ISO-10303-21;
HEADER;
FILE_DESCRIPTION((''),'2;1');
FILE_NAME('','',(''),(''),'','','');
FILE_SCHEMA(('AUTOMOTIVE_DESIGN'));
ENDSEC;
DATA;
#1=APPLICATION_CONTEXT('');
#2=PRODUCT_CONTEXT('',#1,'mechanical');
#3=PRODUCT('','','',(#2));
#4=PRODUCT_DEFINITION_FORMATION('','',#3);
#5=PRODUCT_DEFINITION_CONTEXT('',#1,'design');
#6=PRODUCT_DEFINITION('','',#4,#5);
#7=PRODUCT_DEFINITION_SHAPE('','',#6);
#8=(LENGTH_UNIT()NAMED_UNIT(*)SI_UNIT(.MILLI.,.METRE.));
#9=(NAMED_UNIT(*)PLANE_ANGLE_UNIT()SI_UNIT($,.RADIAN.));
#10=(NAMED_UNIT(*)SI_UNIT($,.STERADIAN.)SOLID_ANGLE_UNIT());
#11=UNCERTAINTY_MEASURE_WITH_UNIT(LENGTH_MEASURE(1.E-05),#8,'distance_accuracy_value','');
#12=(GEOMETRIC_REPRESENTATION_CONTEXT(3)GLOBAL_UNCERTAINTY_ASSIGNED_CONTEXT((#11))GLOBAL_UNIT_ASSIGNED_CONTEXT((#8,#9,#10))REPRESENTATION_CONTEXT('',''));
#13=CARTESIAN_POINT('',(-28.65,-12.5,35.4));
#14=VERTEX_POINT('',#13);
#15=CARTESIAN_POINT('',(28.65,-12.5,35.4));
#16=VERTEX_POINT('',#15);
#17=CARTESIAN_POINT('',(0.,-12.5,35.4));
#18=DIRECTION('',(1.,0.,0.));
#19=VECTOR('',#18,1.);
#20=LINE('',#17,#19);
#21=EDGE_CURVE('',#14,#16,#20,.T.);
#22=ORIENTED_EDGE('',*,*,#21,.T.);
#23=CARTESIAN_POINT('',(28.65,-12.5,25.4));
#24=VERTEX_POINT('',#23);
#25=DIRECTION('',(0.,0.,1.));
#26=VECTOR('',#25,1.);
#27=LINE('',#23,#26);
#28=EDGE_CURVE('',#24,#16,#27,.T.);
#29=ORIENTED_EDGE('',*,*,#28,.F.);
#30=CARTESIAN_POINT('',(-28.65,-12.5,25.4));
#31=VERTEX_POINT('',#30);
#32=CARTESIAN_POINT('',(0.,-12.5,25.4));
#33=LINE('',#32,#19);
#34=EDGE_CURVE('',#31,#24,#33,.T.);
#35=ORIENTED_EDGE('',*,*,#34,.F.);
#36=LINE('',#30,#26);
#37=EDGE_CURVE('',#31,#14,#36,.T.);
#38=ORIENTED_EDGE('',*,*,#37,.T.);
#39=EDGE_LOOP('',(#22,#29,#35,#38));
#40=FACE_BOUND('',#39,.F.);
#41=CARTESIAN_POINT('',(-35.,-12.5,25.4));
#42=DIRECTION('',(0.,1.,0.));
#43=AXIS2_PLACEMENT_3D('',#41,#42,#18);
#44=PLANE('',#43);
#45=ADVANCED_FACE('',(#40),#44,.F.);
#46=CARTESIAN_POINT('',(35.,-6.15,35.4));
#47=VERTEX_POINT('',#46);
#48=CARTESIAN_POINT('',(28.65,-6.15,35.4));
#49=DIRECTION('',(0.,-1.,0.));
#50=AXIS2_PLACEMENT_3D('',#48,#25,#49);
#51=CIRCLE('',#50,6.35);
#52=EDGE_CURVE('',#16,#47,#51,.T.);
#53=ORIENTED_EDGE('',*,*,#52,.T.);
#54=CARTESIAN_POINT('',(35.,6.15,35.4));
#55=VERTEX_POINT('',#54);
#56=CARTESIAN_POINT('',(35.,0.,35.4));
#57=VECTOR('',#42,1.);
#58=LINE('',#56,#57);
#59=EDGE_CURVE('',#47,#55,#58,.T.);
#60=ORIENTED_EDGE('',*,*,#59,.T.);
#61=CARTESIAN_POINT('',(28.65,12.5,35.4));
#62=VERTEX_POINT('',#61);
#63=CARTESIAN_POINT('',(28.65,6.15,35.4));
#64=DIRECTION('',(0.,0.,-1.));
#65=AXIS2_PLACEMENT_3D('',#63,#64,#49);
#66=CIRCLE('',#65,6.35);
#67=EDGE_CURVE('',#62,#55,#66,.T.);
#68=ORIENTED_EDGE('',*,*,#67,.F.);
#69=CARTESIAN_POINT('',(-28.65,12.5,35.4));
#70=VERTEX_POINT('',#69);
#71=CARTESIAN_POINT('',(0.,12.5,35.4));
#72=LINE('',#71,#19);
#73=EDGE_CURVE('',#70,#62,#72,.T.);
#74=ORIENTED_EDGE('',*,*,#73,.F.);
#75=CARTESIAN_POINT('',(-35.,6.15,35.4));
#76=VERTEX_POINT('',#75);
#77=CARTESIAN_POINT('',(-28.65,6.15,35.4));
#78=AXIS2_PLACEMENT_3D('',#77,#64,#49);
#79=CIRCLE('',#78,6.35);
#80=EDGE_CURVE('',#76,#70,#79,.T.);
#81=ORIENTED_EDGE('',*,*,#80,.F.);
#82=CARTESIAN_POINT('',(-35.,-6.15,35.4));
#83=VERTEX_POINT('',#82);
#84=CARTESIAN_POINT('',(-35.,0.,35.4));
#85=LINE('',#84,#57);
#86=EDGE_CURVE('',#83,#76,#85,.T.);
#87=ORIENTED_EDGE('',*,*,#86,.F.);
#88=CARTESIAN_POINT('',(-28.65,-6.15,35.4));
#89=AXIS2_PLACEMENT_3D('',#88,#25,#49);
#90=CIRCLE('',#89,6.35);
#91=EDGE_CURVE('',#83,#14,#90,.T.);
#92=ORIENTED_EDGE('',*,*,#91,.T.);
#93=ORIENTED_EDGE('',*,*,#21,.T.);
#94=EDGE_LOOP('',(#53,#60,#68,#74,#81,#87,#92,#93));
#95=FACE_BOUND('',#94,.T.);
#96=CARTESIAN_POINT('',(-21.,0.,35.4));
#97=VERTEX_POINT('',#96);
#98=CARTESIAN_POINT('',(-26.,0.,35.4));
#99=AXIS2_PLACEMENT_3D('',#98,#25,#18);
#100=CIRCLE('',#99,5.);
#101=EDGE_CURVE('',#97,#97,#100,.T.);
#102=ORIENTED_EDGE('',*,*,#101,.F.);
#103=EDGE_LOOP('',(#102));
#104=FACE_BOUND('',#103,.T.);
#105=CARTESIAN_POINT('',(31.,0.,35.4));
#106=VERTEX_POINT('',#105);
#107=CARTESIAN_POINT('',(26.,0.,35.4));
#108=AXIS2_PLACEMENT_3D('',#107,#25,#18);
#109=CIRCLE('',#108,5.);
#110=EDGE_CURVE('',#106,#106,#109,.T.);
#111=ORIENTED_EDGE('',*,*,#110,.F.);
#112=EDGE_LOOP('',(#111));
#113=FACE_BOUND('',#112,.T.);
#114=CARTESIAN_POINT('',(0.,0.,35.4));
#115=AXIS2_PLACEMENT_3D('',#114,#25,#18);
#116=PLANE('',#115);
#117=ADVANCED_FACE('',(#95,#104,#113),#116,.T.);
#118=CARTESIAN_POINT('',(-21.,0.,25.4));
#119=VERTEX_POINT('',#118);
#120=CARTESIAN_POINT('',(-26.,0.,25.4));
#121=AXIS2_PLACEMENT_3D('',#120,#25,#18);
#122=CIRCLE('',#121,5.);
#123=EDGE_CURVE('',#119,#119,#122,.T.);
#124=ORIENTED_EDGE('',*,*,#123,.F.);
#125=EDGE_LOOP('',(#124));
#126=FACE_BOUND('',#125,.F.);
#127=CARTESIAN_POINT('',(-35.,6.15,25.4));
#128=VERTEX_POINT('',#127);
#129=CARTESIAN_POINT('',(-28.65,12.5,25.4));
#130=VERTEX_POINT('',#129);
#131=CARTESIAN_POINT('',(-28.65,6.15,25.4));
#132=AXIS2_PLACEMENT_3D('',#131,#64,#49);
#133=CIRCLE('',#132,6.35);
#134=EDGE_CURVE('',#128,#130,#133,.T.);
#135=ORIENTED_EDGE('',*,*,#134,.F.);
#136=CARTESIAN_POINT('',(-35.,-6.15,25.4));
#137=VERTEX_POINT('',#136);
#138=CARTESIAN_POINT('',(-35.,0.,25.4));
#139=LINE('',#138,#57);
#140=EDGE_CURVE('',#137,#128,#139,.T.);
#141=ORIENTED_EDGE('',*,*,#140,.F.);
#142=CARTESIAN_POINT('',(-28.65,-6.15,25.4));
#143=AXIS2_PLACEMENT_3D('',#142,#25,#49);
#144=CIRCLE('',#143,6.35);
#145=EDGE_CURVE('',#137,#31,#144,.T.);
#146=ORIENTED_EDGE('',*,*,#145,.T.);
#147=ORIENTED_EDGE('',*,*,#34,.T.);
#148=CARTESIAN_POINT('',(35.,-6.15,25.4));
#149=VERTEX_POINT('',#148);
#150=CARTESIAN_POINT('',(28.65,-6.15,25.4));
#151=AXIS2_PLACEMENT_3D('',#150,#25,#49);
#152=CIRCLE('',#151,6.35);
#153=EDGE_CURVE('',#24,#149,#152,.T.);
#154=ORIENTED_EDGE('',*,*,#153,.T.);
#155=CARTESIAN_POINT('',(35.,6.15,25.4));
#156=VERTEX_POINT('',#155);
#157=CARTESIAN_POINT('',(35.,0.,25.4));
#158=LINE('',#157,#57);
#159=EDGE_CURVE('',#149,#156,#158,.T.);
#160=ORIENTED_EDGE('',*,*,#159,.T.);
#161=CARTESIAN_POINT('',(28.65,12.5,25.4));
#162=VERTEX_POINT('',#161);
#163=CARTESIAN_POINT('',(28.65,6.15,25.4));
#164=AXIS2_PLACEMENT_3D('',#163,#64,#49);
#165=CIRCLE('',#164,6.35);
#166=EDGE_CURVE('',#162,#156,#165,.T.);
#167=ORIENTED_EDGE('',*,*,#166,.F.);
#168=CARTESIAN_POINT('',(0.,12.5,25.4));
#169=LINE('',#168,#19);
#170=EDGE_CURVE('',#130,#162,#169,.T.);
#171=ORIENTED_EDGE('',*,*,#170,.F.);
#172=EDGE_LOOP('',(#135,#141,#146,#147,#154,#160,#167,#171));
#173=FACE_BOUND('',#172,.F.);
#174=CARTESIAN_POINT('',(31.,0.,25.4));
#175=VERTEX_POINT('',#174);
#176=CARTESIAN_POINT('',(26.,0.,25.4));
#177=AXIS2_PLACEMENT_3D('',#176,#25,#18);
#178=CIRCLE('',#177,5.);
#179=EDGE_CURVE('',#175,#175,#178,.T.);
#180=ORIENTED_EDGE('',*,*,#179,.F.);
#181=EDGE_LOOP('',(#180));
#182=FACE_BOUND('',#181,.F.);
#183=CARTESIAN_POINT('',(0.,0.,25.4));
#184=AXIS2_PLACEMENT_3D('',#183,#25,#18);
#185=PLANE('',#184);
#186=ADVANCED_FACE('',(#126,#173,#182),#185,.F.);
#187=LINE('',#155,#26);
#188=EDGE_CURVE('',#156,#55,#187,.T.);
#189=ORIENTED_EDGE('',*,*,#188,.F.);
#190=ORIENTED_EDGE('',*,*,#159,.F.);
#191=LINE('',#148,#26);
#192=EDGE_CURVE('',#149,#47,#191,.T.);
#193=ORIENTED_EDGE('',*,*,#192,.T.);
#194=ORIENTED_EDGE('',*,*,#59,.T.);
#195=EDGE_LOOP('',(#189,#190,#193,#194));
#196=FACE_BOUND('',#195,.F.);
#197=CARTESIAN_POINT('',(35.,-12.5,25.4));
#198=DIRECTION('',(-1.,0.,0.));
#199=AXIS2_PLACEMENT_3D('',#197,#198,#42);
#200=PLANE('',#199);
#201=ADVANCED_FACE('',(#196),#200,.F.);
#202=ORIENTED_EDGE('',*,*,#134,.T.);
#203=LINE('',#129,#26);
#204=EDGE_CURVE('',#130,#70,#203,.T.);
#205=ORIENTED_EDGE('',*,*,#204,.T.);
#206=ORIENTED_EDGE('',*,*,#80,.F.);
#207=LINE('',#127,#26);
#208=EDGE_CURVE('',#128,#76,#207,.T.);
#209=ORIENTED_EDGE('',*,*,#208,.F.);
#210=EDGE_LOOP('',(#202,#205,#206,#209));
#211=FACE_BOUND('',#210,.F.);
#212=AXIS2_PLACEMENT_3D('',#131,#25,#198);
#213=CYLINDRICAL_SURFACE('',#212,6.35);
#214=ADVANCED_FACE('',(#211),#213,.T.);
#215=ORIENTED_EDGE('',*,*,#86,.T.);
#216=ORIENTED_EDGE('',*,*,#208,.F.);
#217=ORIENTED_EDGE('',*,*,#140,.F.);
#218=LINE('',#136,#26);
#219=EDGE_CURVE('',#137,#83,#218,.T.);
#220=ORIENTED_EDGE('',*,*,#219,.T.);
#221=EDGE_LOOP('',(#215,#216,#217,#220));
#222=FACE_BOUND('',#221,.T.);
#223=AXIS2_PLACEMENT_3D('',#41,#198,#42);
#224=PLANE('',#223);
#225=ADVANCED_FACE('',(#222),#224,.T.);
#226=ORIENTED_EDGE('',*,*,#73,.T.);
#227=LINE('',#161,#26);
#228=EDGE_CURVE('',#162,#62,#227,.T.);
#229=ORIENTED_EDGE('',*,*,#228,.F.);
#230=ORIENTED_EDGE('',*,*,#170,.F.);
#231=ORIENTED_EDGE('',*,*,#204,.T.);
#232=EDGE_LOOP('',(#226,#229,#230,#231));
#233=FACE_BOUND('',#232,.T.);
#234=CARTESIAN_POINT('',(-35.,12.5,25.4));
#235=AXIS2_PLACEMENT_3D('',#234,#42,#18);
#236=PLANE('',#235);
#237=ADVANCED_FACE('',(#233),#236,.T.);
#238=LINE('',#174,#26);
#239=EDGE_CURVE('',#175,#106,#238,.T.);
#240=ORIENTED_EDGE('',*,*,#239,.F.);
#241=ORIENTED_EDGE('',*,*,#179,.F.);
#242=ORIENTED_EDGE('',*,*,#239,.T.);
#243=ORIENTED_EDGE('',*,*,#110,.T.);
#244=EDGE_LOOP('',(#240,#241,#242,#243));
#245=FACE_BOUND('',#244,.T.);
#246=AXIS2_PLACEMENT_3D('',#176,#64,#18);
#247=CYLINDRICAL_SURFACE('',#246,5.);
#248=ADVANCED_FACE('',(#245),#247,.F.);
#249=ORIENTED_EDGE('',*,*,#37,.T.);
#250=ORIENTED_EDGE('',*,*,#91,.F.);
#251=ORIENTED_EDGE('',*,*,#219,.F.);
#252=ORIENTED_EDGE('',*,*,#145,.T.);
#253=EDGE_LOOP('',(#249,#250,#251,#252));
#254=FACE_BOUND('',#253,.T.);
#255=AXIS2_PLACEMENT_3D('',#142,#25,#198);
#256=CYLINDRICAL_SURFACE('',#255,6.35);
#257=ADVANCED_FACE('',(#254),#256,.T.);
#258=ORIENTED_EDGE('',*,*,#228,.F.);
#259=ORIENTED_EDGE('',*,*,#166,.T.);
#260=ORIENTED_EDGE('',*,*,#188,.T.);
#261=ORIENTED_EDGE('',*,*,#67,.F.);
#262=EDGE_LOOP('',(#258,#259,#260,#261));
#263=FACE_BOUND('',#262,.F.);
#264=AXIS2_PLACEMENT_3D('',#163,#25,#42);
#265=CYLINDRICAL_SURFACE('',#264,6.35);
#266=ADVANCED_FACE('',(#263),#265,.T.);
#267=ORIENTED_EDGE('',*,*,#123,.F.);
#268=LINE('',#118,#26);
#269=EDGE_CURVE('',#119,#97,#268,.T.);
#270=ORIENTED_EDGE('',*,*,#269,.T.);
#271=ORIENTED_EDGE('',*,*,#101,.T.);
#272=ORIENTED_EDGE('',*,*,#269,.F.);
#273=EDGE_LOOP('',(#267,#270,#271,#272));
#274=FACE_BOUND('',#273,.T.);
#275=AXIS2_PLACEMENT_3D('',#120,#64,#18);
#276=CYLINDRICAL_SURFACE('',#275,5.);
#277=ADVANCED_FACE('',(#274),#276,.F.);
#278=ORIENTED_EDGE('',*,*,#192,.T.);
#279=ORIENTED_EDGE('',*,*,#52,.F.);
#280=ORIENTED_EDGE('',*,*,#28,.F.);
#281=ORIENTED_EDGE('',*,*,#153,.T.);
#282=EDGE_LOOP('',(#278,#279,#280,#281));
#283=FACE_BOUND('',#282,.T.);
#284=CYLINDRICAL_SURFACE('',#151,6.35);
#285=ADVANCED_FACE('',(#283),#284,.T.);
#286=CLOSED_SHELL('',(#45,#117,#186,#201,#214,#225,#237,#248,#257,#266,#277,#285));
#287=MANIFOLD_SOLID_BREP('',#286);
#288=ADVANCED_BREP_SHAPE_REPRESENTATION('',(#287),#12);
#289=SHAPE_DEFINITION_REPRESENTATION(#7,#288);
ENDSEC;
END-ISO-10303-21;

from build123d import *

# Parameters (mm, degrees)
F1_W     = 70
F1_H     = 25
F1_R     = 5
F2_DEPTH = 10
F3_R     = 6.35


with BuildPart() as f2:
    # F1 (on offset) → F2 (new body)
    with BuildSketch(Plane.XY.offset(25.4)):
        Rectangle(F1_W, F1_H)
        with Locations((-26, 0)):
            Circle(F1_R, mode=Mode.SUBTRACT)
        with Locations((26, 0)):
            Circle(F1_R, mode=Mode.SUBTRACT)
    extrude(amount=F2_DEPTH)

    # F3
    f3_edges = [f2.edges().sort_by_distance(p)[0] for p in [
        (-35, 12.5, 30.4),
        (35, 12.5, 30.4),
        (35, -12.5, 30.4),
        (-35, -12.5, 30.4),
    ]]
    fillet(f3_edges, radius=F3_R)


solid = f2.part
